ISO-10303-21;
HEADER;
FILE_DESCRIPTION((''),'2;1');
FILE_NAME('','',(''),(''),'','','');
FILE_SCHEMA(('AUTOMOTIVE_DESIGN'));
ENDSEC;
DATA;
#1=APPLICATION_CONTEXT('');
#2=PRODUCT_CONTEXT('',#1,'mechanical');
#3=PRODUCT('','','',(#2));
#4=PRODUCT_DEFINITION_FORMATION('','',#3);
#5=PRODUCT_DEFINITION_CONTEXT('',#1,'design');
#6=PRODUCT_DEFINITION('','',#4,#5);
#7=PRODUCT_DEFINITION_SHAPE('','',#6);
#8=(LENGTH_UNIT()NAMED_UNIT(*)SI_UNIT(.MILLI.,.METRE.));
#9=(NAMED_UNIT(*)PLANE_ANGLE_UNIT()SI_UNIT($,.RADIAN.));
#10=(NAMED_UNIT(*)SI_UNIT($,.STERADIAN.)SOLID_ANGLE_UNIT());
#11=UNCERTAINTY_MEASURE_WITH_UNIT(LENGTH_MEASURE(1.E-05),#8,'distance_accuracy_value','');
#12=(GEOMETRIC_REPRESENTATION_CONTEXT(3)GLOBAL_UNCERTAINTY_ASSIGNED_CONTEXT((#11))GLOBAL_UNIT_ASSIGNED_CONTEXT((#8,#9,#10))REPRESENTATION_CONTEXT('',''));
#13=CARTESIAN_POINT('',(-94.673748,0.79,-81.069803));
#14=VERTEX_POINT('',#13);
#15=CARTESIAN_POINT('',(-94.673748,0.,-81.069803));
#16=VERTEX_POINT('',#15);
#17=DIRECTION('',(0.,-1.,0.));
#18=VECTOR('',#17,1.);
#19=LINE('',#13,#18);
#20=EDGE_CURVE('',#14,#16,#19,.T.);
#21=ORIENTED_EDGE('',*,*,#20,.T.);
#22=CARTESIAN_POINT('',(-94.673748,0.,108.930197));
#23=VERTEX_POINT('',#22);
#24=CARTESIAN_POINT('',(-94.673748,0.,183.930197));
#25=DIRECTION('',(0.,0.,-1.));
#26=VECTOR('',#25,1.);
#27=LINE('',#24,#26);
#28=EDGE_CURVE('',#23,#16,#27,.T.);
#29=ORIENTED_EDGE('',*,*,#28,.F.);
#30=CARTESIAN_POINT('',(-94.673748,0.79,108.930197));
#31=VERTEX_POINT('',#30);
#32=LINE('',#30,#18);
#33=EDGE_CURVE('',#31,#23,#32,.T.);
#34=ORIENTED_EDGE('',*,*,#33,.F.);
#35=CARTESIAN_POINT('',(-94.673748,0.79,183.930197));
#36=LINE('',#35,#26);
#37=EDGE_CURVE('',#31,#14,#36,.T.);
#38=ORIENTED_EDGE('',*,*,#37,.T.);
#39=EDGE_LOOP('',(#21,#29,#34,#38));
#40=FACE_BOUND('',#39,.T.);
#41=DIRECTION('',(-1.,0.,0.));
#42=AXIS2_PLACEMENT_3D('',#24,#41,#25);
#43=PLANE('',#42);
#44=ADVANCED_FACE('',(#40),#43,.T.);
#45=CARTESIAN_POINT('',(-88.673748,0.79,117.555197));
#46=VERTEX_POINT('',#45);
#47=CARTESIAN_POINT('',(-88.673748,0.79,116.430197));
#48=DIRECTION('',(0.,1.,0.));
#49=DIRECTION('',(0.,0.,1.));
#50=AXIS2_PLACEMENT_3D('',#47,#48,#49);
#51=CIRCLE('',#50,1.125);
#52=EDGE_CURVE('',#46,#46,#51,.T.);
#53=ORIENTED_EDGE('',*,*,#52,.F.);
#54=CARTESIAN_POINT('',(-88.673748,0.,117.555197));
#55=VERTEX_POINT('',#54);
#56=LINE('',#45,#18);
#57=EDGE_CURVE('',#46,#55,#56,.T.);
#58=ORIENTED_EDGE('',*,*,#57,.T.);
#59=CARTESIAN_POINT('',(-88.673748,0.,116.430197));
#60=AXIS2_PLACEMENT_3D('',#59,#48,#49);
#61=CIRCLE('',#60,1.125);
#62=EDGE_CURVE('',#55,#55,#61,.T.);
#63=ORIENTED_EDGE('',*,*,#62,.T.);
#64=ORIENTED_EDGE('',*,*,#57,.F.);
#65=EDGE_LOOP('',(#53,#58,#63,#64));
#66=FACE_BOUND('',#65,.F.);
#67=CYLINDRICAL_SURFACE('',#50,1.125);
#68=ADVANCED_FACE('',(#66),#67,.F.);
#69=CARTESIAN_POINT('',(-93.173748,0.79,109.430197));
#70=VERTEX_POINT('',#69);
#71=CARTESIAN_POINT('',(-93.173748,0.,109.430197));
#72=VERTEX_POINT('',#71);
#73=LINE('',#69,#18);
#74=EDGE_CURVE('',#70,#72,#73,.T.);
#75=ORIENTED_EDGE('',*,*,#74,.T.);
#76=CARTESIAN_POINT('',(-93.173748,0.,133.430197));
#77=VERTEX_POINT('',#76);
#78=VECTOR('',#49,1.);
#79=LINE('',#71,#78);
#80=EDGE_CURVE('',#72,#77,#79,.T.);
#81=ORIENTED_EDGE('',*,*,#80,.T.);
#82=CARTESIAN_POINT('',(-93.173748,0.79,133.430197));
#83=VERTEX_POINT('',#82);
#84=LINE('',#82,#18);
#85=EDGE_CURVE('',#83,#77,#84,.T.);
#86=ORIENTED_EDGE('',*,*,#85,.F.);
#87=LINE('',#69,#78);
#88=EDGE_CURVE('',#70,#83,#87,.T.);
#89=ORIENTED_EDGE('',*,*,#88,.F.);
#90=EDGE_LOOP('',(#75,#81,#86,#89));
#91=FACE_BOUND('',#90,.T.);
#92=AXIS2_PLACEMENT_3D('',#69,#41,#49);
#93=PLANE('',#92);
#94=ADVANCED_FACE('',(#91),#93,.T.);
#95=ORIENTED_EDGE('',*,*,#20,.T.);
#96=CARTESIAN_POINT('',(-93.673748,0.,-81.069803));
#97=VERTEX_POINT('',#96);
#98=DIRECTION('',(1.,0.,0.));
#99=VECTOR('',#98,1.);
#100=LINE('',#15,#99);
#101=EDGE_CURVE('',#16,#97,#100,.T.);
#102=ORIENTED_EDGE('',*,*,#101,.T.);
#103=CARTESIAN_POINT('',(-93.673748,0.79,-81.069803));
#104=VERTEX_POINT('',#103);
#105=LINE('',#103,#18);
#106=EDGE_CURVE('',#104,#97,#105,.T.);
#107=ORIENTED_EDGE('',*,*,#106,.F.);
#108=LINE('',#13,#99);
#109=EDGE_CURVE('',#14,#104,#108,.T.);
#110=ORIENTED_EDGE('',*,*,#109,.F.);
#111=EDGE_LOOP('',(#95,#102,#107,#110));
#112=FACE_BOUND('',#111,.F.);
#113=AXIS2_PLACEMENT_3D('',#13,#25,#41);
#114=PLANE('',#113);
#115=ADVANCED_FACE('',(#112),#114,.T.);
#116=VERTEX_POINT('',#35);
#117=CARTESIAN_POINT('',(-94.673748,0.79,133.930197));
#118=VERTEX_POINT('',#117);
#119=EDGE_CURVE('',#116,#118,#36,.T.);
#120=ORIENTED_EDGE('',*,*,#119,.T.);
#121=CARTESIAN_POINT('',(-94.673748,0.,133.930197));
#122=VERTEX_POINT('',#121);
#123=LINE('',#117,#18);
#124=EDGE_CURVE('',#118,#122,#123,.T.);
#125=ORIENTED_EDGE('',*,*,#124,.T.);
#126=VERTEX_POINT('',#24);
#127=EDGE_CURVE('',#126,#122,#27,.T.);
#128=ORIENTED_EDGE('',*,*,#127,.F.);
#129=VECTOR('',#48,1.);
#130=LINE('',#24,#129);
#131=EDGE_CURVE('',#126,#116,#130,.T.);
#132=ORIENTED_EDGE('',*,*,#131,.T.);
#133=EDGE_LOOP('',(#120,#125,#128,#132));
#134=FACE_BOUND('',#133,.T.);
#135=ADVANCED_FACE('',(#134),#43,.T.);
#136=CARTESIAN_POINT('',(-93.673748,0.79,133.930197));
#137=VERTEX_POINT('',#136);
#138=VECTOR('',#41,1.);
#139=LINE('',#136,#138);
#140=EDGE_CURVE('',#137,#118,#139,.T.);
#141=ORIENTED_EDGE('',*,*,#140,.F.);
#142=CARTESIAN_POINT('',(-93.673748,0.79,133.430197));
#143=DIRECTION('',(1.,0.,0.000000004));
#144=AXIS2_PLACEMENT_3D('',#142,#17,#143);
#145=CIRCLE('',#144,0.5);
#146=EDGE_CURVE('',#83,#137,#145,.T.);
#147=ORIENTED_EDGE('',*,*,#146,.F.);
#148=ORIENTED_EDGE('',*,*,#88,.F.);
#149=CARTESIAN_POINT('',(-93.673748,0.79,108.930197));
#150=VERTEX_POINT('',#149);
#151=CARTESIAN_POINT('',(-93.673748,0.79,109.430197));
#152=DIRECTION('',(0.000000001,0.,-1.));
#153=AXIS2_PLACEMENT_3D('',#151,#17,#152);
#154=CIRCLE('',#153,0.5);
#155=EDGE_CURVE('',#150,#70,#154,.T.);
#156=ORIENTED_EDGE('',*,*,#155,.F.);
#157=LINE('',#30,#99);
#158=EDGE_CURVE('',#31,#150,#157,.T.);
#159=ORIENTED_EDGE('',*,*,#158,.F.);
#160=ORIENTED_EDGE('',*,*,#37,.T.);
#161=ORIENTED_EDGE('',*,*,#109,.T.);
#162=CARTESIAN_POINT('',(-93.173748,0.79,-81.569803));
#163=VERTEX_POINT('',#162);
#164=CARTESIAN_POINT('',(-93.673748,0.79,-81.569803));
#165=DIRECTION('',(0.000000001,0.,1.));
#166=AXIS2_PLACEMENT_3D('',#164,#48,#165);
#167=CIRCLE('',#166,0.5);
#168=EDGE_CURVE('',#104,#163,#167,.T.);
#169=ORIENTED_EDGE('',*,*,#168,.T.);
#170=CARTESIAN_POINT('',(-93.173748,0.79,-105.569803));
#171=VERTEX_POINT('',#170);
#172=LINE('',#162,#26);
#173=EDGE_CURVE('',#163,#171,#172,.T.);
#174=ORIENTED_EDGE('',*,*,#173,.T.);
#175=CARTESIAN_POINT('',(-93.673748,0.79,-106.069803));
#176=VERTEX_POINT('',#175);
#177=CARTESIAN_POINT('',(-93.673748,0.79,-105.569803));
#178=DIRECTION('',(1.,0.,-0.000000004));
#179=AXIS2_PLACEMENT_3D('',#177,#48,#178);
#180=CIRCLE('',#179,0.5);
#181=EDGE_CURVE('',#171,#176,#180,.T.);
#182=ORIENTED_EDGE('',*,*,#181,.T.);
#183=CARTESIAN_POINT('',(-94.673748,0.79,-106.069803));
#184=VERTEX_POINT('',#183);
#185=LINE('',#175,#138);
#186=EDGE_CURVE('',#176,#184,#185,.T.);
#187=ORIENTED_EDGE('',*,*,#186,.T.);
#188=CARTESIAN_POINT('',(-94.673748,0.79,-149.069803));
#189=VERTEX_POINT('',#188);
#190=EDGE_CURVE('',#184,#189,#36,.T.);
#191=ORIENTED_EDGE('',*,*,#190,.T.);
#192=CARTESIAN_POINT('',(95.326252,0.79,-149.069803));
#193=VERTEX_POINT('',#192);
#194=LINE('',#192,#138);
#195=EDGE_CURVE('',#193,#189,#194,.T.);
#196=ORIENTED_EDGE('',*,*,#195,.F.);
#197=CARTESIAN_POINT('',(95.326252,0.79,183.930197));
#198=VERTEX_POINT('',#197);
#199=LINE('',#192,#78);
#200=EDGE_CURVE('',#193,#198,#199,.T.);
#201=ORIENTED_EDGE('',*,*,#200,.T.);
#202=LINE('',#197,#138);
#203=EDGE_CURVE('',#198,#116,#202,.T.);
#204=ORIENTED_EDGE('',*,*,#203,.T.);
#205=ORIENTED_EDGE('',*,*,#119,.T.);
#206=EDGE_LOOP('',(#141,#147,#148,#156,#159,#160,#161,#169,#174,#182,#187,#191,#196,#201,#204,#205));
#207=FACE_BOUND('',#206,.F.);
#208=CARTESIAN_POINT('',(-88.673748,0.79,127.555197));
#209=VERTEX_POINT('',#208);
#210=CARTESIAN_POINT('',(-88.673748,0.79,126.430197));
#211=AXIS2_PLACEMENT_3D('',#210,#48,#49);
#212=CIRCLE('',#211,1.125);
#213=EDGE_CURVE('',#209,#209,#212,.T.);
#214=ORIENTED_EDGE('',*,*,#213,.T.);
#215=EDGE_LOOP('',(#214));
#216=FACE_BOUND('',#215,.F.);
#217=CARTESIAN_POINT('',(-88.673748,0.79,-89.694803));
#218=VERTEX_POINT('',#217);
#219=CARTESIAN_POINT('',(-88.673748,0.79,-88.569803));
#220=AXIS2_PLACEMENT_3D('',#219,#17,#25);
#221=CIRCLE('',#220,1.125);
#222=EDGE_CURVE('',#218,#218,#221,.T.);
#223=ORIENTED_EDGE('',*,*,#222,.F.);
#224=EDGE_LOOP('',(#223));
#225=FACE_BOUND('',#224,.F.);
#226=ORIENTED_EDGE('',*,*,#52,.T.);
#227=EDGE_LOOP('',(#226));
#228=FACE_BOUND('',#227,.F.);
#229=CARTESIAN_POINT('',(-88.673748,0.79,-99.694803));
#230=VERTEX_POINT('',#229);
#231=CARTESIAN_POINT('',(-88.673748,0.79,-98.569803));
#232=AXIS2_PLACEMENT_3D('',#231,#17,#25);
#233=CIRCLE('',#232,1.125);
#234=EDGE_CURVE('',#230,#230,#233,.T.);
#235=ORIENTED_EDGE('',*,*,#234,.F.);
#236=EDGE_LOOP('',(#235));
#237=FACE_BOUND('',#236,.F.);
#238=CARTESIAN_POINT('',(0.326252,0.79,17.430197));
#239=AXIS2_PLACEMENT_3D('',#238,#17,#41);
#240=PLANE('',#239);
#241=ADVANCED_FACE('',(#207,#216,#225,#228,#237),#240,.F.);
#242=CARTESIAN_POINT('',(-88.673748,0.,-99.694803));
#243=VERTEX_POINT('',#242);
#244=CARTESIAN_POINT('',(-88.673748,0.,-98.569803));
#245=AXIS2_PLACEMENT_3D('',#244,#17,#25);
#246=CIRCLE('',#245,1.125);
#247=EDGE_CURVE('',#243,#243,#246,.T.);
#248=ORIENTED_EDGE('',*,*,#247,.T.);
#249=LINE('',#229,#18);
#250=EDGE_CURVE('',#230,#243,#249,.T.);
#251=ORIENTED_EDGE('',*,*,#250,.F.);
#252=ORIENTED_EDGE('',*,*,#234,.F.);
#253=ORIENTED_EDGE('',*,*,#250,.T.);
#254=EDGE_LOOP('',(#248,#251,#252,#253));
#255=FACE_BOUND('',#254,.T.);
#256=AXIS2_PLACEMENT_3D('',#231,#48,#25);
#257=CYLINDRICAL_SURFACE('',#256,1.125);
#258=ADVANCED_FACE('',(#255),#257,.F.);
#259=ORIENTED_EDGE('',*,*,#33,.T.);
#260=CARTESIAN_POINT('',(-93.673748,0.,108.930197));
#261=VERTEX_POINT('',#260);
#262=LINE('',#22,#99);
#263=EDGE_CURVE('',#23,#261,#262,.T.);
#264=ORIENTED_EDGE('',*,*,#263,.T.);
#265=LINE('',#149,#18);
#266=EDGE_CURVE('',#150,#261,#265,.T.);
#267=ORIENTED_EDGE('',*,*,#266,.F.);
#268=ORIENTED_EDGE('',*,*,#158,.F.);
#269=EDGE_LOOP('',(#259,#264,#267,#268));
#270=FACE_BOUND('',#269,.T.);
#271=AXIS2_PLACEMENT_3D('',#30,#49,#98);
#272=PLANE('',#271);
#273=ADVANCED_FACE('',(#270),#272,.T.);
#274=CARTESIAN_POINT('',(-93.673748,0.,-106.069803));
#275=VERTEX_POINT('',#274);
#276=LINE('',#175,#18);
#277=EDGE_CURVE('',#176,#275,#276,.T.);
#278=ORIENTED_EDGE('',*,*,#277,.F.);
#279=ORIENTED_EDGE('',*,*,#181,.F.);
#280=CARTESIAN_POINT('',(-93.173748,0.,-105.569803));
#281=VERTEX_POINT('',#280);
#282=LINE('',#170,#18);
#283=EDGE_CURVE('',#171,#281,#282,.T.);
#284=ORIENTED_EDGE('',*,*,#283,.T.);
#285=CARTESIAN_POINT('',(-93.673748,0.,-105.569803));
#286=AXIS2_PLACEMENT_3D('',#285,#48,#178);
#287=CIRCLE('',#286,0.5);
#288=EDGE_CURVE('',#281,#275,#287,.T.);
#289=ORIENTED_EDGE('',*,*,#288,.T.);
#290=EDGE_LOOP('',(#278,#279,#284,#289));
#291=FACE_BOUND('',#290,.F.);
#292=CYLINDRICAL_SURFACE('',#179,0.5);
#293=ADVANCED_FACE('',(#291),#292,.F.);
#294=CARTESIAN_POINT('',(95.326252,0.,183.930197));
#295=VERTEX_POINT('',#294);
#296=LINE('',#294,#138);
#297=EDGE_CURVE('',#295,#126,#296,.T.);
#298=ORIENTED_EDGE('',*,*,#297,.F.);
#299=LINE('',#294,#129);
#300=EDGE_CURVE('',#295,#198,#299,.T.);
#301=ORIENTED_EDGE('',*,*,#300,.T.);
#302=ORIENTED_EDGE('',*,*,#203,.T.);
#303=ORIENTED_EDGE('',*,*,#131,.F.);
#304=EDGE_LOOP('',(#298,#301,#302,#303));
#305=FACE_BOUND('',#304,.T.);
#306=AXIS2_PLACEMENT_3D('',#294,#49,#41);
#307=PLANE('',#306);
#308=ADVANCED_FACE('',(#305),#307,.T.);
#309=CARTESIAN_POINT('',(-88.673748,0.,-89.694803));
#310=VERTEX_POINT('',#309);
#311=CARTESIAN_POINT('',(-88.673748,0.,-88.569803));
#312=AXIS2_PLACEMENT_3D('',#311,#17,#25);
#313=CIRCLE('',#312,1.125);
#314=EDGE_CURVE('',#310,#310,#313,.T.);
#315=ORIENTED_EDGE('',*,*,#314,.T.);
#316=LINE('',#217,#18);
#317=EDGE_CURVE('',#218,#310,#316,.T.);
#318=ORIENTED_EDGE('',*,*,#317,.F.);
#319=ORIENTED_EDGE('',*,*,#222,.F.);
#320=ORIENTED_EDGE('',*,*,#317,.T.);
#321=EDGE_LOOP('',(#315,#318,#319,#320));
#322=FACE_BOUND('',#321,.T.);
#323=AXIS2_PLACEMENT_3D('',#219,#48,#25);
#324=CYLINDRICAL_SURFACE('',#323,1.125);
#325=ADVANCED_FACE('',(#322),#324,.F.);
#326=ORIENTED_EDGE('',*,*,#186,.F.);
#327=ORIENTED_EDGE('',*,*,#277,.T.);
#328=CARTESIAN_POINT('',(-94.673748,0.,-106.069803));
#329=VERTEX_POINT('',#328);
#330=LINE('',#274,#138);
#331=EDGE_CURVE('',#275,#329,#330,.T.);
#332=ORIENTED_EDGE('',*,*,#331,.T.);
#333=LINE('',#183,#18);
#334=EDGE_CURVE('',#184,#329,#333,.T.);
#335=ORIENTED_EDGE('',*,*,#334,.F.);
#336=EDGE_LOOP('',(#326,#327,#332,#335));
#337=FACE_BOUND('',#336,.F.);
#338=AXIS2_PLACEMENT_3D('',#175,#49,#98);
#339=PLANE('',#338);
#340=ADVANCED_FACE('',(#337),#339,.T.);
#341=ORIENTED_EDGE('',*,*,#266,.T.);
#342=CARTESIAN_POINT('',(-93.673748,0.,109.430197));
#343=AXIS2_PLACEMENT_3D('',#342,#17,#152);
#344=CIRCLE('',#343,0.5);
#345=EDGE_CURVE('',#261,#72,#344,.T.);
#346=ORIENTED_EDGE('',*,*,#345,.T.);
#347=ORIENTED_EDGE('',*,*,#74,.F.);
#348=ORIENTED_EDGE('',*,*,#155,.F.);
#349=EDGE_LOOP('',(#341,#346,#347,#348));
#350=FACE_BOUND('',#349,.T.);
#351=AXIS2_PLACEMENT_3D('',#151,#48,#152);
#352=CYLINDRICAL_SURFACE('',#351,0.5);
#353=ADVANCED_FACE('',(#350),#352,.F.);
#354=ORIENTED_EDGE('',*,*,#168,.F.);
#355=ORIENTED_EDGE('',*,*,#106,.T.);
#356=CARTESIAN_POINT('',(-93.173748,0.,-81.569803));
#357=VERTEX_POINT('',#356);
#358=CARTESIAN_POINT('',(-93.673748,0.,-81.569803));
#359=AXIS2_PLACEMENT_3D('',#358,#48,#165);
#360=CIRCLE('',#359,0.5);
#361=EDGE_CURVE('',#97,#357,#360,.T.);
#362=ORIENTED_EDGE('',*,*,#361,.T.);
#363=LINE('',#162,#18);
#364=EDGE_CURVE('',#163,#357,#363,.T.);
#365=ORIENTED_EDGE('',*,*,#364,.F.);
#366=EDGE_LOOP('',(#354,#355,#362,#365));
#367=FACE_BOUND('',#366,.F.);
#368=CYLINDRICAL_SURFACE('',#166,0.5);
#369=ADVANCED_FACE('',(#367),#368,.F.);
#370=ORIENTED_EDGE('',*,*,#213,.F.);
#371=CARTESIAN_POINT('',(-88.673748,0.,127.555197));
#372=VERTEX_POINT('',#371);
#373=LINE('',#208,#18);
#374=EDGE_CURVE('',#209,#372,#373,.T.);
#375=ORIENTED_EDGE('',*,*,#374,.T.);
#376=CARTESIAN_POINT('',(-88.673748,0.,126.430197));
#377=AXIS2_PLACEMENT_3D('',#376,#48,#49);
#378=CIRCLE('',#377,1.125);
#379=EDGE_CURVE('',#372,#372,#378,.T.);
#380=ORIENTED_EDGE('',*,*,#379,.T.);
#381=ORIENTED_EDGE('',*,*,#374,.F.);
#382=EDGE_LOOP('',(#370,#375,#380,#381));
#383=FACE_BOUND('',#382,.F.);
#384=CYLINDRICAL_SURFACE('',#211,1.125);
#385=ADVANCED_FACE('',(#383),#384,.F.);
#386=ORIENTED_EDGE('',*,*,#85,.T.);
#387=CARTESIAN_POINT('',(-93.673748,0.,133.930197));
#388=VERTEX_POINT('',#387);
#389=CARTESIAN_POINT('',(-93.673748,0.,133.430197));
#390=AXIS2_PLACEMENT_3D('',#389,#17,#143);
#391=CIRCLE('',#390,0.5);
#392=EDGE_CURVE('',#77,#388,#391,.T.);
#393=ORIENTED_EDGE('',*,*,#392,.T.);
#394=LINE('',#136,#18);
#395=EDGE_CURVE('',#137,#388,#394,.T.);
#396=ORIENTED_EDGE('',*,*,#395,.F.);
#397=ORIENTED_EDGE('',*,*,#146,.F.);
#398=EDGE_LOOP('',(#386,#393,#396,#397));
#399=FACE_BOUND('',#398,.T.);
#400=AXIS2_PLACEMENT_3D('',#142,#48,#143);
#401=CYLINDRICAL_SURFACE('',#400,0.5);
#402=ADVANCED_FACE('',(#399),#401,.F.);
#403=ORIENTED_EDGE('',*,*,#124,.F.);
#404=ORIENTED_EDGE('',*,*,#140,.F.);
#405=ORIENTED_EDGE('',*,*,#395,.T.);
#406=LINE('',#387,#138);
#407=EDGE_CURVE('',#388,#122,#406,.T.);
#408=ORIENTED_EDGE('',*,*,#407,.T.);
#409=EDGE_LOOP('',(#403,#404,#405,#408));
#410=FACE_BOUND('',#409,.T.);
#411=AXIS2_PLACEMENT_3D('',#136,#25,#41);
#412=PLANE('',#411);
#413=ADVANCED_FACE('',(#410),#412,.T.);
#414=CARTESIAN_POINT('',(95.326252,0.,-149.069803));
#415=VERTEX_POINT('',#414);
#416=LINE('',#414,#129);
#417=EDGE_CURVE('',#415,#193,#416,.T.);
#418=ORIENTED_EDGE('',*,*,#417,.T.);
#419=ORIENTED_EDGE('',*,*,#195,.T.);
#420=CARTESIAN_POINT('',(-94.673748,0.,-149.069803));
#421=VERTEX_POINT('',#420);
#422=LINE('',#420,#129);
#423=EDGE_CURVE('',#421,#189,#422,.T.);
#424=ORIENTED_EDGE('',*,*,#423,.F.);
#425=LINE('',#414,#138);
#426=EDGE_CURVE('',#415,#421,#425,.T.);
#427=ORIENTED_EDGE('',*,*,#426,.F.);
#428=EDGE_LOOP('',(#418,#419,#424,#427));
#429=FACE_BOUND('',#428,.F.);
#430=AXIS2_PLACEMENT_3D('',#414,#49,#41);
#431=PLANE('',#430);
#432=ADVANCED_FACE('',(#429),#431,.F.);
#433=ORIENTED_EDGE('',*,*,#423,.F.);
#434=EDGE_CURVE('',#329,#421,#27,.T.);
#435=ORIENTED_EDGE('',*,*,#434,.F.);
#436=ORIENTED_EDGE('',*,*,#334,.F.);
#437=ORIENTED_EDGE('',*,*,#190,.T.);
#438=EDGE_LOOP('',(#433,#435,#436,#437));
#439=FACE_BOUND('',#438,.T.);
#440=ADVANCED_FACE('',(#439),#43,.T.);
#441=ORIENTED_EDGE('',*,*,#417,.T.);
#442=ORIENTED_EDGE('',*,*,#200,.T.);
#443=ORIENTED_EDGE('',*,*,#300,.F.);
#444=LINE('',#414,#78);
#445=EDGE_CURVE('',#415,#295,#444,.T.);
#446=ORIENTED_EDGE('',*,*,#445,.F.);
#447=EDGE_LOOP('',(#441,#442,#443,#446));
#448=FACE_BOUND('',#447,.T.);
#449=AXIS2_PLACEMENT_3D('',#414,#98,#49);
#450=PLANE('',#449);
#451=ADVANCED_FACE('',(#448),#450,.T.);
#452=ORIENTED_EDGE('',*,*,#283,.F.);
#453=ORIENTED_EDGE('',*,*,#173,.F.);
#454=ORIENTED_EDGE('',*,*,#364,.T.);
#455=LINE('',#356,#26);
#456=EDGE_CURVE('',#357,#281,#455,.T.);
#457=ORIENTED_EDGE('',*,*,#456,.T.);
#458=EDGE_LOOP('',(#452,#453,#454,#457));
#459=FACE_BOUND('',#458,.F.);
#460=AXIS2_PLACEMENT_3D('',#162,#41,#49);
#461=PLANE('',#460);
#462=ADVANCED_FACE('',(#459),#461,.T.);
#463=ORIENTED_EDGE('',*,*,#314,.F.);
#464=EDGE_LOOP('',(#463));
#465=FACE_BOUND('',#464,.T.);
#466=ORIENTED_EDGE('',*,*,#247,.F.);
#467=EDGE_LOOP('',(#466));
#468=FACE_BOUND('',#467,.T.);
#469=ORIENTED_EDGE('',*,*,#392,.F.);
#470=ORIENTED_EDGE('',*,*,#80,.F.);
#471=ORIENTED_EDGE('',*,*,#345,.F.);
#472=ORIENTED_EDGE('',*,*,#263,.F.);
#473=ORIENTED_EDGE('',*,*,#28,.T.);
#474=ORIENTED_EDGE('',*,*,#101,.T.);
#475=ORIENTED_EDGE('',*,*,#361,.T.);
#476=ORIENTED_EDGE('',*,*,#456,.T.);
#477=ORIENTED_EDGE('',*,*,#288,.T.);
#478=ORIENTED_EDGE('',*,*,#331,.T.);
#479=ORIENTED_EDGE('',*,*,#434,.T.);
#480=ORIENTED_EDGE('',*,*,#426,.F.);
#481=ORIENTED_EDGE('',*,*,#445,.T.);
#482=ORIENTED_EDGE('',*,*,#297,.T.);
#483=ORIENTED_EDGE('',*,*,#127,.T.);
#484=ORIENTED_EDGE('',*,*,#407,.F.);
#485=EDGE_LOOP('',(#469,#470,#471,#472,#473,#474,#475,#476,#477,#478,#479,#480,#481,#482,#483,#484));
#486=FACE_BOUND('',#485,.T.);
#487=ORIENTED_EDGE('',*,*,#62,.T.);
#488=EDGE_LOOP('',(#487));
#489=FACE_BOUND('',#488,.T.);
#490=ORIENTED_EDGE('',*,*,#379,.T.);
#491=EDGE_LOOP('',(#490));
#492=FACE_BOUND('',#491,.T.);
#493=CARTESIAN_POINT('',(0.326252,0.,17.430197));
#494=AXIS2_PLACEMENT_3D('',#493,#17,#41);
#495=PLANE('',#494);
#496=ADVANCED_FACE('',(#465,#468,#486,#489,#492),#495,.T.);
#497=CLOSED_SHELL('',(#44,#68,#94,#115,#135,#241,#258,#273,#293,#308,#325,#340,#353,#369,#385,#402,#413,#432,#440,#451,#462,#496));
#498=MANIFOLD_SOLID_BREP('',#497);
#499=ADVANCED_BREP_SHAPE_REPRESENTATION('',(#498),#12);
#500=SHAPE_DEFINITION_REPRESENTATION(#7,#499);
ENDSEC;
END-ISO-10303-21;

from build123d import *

# Parameters (mm, degrees)
PANEL_DEPTH       = 0.79
SKETCH3_R         = 1.125
HINGE_MOUNT_DEPTH = 0.79


with BuildPart() as part:
    # Sketch1 → Panel (new body)
    with BuildSketch(Plane(origin=(0, 0, 0), x_dir=(1, 0, 0), z_dir=(0, 1, 0))):
        Polygon((65.326251897, 149.069802731), (95.326251897, 149.069802731), (95.326251897, -183.930197269), (-94.673748103, -183.930197269), (-94.673748103, 149.069802731), (-64.673748103, 149.069802731), (-39.673748103, 149.069802731), (40.326251897, 149.069802731), align=None)
    extrude(amount=PANEL_DEPTH)

    # Sketch3 → Hinge Mount (cut)
    with BuildSketch(Plane(origin=(0, 0.79, 0), x_dir=(1, 0, 0), z_dir=(0, 1, 0))):
        with Locations(Location((-88.673748103, -116.430197269, 0), (0, 0, 270))):
            Circle(SKETCH3_R)
        with Locations(Location((-88.673748103, -126.430197269, 0), (0, 0, 270))):
            Circle(SKETCH3_R)
        with BuildLine():
            Line((-94.673748103, -108.930197269), (-93.673748103, -108.930197269))
            ThreePointArc((-93.673748103, -108.930197269), (-93.320194713, -109.076643878), (-93.173748103, -109.430197269))
            Line((-93.173748103, -109.430197269), (-93.173748103, -133.430197269))
            ThreePointArc((-93.173748103, -133.430197269), (-93.320194713, -133.783750659), (-93.673748103, -133.930197269))
            Line((-93.673748103, -133.930197269), (-94.673748103, -133.930197269))
            Line((-94.673748103, -133.930197269), (-94.673748103, -108.930197269))
        make_face()
    hinge_mount = extrude(amount=-HINGE_MOUNT_DEPTH, mode=Mode.SUBTRACT)

    # Mirror1: Hinge Mount across plane
    add(hinge_mount.mirror(Plane.XY.offset(13.930197269)), mode=Mode.SUBTRACT)


solid = part.part
